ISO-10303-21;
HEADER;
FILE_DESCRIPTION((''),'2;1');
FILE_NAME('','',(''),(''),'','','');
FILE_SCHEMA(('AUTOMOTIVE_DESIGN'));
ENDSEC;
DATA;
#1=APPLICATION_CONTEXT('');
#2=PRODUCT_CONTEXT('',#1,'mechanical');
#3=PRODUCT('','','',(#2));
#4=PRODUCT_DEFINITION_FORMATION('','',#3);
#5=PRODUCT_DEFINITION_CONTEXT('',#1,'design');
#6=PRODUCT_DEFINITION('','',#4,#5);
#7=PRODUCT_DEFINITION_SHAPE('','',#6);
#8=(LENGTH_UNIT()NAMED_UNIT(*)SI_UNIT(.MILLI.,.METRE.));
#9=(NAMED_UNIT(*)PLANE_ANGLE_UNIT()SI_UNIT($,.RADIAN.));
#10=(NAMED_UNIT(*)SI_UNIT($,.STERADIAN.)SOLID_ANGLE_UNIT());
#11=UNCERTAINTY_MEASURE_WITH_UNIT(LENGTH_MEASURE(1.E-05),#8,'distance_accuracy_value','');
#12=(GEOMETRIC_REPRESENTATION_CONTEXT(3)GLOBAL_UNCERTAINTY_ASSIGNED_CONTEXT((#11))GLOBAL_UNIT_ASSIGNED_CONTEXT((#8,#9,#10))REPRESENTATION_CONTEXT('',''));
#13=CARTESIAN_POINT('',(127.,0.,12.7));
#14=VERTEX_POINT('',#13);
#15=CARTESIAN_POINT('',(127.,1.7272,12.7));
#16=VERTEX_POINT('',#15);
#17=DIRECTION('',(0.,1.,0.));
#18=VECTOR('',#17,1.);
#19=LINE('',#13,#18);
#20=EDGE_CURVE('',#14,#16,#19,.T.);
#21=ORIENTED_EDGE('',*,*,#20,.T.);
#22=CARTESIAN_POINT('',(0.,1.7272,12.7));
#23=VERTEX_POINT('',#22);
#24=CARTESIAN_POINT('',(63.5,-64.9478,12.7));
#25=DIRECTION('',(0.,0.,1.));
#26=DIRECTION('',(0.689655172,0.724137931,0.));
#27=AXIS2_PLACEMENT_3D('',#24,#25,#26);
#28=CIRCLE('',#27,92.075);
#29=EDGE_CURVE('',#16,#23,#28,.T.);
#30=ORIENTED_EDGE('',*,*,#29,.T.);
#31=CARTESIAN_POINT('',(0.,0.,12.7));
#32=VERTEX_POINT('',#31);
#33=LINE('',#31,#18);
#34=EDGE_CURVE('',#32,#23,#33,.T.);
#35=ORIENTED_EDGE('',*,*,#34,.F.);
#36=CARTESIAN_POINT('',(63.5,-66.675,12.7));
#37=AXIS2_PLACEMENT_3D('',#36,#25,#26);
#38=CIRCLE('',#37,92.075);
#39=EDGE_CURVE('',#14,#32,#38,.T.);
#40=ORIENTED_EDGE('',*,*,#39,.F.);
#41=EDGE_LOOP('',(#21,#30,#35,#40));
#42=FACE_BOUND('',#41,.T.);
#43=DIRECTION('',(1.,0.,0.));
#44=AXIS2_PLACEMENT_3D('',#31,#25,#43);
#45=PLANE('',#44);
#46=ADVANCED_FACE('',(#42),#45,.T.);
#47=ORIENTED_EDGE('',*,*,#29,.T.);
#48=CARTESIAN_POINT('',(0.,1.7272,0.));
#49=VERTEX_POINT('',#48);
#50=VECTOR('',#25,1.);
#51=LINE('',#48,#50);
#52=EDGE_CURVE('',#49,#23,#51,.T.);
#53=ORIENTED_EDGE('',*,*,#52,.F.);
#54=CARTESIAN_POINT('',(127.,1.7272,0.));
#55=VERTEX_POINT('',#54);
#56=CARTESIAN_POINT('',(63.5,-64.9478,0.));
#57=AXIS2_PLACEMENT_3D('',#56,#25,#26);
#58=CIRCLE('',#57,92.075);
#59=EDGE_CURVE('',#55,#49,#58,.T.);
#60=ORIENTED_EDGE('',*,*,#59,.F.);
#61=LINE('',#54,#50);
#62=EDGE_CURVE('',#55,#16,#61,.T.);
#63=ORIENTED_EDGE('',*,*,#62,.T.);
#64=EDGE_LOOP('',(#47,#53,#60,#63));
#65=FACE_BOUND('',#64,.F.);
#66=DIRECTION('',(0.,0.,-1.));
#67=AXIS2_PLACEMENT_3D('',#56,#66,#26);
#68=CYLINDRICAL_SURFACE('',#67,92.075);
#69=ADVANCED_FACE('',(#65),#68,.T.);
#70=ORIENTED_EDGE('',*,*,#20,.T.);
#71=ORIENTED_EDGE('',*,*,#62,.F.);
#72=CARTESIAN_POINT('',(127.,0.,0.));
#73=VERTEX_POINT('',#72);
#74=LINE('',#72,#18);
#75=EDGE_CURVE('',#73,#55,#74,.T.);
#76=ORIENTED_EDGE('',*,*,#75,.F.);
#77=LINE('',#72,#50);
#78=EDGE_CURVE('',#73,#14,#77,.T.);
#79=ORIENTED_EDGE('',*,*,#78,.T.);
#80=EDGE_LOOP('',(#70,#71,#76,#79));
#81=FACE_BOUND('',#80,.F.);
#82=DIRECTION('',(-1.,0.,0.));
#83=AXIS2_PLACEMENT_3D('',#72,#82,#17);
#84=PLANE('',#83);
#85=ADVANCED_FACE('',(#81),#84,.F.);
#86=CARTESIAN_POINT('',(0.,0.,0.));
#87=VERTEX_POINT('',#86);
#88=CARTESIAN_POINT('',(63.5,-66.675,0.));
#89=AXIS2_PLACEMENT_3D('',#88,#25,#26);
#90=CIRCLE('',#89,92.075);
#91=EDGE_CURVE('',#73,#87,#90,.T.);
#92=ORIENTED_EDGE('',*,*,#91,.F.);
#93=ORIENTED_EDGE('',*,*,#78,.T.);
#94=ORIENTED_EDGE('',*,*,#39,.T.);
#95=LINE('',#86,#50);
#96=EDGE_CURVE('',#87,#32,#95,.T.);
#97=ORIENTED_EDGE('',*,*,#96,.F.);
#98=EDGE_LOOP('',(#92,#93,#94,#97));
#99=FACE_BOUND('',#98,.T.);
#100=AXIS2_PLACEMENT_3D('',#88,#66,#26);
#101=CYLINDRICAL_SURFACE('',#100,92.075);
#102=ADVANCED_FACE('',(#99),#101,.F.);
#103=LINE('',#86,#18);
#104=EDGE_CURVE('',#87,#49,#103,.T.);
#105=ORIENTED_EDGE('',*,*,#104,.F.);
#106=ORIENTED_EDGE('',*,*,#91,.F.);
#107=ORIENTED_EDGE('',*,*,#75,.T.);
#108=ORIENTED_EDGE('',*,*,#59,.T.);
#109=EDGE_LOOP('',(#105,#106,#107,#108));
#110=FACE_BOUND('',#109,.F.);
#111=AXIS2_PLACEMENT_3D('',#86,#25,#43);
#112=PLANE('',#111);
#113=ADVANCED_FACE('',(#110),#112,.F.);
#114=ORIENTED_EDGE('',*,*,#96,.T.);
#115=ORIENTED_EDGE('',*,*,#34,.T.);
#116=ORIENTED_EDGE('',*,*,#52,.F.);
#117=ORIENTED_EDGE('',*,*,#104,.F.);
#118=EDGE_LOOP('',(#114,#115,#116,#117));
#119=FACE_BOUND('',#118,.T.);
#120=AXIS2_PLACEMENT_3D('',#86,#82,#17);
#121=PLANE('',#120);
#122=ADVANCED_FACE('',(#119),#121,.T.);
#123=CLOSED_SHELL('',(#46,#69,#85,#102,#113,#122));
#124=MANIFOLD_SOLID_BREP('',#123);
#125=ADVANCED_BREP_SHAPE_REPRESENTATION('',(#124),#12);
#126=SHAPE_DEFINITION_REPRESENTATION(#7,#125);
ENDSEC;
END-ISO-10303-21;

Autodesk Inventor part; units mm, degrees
ref_plane "YZ Plane" through (0, 0, 0) normal (1, 0, 0) x (0, 1, 0)
ref_plane "XZ Plane" through (0, 0, 0) normal (0, 1, 0) x (-1, 0, 0)
ref_plane "XY Plane" through (0, 0, 0) normal (0, 0, 1) x (1, 0, 0)
sketch "Sketch1" plane through (0, 0, 0) normal (0, 0, 1) x (1, 0, 0)
  line L0 (0, 0) -> (127, 0) construction
  line L1 (0, 0) -> (127, 0) construction
  line L2 (0, 0) -> (63.5, 0) construction
  line L3 (0, 0) -> (63.5, 0) construction
  line L4 (63.5, 0) -> (63.5, 25.4) construction
  arc A0 (127, 0) -> (0, 0) centre (63.5, -66.675) ccw
  line L5 (63.5, 25.4) -> (63.5, 27.1272) construction
  line L6 (0, 0) -> (0, 1.7272) construction
  line L7 (127, 0) -> (127, 1.7272) construction
  arc A1 (127, 1.7272) -> (0, 1.7272) centre (63.5, -64.9478) ccw
  line L8 (0, 0) -> (0, 1.7272)
  line L9 (127, 0) -> (127, 1.7272)
  dimension "d4" = 127
  dimension "d5" = 63.5
  dimension "d6" = 0
  dimension "d7" = 25.4
  dimension "d8" = 1.7272
  dimension "d9" = 1.7272
  dimension "d10" = 1.7272
extrude "Extrusion1" add sketch "Sketch1" along normal blind 12.7
properties part number "Clip"
